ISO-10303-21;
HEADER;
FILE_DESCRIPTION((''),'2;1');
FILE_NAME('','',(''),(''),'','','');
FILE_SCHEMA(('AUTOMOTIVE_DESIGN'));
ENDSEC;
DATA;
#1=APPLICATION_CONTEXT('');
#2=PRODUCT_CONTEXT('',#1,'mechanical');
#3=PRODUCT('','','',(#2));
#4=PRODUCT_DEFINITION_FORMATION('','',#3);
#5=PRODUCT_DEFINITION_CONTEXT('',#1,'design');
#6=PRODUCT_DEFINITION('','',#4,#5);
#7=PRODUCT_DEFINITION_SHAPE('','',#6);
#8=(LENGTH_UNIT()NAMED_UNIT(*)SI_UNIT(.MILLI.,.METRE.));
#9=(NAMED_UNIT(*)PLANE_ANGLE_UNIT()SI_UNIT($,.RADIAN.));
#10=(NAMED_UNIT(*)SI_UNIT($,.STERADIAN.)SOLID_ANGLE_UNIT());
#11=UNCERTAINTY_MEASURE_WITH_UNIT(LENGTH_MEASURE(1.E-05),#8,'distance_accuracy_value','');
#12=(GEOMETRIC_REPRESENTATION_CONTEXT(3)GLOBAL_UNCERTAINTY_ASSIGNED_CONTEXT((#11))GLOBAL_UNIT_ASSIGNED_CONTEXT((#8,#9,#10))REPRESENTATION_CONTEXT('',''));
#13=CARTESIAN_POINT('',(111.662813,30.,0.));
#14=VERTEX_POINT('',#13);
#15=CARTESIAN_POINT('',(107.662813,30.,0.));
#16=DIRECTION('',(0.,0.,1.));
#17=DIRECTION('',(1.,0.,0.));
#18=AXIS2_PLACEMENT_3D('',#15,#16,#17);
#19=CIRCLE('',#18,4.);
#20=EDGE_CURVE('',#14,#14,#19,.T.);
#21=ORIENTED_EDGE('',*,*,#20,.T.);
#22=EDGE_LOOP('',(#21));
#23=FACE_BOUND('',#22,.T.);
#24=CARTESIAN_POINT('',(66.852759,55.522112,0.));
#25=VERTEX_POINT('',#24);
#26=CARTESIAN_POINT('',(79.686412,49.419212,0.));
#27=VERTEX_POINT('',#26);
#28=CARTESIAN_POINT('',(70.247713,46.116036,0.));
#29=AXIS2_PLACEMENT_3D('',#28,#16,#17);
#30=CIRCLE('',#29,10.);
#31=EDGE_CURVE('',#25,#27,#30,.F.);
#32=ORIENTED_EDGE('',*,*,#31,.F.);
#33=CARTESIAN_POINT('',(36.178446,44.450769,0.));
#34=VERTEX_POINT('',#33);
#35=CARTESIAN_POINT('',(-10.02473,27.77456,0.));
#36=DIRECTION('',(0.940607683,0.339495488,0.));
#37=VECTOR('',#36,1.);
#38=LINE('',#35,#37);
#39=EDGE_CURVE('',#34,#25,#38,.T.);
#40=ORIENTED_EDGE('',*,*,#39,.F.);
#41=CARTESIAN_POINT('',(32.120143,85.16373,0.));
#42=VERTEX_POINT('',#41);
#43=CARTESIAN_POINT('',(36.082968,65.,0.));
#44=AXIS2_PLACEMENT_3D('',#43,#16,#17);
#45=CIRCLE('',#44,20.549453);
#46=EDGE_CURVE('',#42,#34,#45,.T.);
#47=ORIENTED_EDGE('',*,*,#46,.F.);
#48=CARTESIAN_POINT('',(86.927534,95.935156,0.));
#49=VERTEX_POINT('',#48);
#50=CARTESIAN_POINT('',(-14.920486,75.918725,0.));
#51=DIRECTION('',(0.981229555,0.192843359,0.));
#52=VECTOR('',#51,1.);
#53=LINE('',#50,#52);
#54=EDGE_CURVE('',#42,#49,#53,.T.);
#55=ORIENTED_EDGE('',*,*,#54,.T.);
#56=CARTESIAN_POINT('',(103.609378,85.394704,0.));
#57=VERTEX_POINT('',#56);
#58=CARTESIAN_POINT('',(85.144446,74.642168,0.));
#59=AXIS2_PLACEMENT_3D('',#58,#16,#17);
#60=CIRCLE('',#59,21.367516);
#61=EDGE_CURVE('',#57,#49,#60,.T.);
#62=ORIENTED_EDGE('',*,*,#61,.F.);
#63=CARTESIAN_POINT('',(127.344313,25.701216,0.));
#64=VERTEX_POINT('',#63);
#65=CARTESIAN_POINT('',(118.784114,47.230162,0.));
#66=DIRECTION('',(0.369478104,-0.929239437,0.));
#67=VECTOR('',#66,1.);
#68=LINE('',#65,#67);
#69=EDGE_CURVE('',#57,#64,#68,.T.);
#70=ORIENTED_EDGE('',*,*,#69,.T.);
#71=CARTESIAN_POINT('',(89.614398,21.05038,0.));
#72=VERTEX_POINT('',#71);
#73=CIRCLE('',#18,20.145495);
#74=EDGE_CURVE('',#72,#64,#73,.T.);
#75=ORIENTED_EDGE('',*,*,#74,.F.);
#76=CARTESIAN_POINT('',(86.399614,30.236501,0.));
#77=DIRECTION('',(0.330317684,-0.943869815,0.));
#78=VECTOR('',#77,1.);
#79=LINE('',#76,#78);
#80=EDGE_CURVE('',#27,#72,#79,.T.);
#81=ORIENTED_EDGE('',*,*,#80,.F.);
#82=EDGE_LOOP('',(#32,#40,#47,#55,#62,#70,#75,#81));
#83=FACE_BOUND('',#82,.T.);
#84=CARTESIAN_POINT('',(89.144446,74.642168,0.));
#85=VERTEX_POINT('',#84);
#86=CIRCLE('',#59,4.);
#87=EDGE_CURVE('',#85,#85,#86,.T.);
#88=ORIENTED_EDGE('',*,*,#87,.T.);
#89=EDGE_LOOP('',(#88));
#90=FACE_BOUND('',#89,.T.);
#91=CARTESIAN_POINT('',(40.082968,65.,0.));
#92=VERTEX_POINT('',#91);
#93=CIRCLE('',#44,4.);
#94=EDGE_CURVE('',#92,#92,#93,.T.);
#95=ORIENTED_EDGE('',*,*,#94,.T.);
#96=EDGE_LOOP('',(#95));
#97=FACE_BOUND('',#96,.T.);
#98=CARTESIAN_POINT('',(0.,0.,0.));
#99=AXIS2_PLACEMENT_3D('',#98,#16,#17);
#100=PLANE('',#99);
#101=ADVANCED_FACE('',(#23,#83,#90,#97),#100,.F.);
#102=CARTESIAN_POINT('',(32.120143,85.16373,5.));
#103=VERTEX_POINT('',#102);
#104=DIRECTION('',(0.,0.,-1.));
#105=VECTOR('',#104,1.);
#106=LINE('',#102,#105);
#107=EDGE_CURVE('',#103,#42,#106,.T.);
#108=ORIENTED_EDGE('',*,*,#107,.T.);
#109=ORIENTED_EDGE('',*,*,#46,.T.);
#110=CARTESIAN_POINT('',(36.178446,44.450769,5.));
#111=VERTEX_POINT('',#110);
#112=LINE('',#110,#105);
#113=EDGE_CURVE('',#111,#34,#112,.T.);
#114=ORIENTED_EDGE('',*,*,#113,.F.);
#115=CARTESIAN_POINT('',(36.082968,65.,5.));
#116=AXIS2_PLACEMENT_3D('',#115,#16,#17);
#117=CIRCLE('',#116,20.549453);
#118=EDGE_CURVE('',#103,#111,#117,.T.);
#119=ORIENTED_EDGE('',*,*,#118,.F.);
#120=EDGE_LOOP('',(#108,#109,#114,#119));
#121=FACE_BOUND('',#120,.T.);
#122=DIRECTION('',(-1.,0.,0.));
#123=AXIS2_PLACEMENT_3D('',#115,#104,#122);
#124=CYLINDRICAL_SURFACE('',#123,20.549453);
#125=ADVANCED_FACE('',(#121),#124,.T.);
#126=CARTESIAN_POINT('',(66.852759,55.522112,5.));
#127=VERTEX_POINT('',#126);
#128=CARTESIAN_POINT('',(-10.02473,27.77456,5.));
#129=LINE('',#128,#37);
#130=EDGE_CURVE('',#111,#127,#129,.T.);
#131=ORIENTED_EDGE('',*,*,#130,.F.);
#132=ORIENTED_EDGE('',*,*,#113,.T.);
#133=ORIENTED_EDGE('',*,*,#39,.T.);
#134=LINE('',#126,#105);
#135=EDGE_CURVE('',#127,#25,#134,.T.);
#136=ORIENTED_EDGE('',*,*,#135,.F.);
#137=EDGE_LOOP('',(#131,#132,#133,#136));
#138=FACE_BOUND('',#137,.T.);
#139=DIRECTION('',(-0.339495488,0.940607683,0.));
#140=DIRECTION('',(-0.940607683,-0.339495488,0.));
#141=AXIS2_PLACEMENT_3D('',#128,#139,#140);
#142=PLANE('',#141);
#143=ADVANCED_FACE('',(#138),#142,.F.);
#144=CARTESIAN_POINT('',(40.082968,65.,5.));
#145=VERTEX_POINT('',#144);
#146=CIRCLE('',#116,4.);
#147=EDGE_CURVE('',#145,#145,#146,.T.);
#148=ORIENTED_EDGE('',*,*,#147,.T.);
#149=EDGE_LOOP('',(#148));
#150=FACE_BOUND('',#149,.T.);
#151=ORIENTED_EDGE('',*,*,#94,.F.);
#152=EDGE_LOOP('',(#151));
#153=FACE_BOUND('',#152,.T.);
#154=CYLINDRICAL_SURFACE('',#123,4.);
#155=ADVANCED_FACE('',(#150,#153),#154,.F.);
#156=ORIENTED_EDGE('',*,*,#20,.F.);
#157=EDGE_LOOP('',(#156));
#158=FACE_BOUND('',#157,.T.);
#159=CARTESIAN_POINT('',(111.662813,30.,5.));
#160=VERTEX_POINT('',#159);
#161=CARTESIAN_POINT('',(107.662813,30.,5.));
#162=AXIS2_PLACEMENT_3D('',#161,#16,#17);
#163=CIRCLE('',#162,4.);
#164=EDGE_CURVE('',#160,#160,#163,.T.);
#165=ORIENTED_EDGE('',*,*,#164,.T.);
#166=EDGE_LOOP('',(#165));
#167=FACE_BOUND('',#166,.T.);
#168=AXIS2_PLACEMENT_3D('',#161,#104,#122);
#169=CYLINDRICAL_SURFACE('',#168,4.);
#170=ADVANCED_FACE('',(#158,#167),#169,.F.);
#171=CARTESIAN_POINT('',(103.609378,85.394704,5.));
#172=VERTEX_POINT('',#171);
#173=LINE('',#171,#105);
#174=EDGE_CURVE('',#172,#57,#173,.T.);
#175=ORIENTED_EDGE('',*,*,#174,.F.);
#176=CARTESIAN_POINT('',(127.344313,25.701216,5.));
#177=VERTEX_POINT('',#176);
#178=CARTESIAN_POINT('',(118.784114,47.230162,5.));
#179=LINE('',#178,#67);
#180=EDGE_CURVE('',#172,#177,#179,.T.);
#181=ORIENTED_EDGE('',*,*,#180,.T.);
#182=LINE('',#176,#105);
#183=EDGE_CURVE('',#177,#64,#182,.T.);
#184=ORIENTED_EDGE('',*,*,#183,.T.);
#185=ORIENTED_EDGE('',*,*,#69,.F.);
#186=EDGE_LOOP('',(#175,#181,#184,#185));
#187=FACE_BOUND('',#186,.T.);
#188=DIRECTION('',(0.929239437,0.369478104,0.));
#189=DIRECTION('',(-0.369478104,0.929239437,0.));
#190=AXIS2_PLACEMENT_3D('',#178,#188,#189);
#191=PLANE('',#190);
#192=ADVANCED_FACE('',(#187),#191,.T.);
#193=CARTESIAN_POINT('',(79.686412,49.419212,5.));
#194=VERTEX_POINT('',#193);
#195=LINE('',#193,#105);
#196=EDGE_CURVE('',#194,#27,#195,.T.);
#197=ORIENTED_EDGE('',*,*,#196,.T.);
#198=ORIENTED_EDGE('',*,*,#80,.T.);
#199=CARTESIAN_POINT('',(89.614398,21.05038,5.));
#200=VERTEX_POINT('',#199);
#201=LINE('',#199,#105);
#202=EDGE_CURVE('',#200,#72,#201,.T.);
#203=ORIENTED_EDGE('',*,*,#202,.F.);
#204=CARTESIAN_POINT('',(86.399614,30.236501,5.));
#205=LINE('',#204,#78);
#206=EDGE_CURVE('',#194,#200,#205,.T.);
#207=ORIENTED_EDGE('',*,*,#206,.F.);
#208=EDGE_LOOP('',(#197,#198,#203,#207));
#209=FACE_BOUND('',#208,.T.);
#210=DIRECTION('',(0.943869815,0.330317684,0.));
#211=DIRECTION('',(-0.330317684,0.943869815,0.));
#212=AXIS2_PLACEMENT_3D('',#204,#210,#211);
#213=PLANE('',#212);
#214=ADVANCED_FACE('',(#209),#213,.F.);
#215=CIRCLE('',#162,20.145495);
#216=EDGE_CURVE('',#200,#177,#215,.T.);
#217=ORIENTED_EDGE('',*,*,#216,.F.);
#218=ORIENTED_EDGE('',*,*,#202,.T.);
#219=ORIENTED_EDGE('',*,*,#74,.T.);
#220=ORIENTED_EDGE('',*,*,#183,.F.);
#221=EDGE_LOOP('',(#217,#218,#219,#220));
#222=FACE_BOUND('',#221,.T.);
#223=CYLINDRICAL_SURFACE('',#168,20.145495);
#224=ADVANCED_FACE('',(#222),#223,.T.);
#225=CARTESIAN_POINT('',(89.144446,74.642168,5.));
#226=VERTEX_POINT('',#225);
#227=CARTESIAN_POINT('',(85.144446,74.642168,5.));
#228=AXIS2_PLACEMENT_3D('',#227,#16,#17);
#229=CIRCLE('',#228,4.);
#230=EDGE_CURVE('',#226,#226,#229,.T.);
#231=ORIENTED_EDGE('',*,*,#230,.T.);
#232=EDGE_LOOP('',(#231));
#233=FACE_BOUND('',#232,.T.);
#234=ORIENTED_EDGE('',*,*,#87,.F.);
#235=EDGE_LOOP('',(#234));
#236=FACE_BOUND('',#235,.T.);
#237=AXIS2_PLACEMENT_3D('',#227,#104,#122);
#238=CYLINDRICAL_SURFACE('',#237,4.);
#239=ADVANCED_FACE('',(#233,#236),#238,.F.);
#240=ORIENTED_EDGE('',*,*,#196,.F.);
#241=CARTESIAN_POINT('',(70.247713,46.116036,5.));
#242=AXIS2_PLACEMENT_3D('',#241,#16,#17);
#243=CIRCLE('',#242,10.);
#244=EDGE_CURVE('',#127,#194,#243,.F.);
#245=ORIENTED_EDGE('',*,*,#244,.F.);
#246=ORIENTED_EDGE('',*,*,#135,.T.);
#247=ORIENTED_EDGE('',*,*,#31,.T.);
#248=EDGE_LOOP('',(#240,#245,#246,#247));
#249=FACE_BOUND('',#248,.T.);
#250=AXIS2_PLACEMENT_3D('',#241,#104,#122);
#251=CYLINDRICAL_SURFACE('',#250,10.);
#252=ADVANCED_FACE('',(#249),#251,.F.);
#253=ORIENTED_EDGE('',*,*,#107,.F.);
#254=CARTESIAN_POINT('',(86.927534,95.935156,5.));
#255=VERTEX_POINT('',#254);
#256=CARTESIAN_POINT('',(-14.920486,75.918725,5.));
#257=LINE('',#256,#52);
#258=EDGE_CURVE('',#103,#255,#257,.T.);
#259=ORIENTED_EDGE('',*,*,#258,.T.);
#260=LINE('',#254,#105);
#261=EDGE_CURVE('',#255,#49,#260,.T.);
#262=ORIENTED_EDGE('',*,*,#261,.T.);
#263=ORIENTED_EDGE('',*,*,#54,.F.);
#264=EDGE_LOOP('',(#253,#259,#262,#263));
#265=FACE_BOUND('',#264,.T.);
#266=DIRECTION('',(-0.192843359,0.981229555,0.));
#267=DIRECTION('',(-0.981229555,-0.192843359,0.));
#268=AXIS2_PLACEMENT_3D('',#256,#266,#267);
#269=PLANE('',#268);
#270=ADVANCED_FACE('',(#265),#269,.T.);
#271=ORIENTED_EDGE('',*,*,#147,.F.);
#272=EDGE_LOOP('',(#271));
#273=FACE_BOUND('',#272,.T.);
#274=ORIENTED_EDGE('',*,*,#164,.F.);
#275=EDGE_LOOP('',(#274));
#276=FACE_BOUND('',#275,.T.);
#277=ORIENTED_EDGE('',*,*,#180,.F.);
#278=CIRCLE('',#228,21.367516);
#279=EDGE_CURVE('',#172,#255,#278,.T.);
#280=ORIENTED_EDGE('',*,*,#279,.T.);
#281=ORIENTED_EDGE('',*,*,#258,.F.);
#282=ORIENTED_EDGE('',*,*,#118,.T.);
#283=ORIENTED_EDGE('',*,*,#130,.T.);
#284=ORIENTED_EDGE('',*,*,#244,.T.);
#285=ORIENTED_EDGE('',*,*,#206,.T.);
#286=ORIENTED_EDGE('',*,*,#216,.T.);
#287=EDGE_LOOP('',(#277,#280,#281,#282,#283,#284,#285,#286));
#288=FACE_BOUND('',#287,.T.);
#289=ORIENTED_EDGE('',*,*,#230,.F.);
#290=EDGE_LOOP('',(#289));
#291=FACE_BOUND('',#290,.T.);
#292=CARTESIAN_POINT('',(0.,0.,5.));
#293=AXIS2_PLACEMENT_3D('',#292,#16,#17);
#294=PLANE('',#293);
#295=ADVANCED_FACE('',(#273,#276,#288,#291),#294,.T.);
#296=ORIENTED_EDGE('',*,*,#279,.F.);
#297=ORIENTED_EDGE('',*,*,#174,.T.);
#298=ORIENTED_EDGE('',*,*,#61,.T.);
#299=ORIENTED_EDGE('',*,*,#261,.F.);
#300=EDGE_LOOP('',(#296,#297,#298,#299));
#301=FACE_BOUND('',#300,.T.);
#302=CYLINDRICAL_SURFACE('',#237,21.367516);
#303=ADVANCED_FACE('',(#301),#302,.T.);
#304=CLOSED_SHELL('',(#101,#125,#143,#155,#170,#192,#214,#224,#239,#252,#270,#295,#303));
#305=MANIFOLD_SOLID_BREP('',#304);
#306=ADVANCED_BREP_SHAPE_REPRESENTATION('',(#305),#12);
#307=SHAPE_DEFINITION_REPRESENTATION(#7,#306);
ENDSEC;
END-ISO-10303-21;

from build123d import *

# Parameters (mm, degrees)
EXTRUDE_1_DEPTH = 5


with BuildPart() as part:
    # 草图1 → 凸台-拉伸1 (new body)
    with BuildSketch(Plane.XY):
        with BuildLine():
            ThreePointArc((39.676398778, 63.242940301), (32.116908157, 65.519966744), (40.007886711, 65.771373436))
            Line((40.007886711, 65.771373436), (81.219528006, 73.870794511))
            ThreePointArc((81.219528006, 73.870794511), (84.756936789, 78.623353252), (89.144446225, 74.642167947))
            ThreePointArc((89.144446225, 74.642167947), (88.550754884, 72.545250848), (86.945915565, 71.070794511))
            Line((86.945915565, 71.070794511), (105.861343633, 33.571373436))
            ThreePointArc((105.861343633, 33.571373436), (109.759730072, 33.406308659), (111.662812973, 30))
            ThreePointArc((111.662812973, 30), (106.761070533, 26.102967723), (104.069382688, 31.757059699))
            Line((104.069382688, 31.757059699), (82.109783132, 42.494523437))
            Line((82.109783132, 42.494523437), (89.614398352, 21.050380059))
            ThreePointArc((89.614398352, 21.050380059), (110.127424639, 10.005834432), (127.344312529, 25.70121614))
            Line((127.344312529, 25.70121614), (103.609378398, 85.394704235))
            ThreePointArc((103.609378398, 85.394704235), (96.558072376, 92.705940943), (86.927534136, 95.93515633))
            Line((86.927534136, 95.93515633), (32.120142981, 85.163730465))
            ThreePointArc((32.120142981, 85.163730465), (15.634853586, 62.961714189), (36.178446258, 44.450768961))
            Line((36.178446258, 44.450768961), (60.302024626, 53.157742297))
            Line((60.302024626, 53.157742297), (39.676398778, 63.242940301))
        make_face()
        with BuildLine():
            Line((81.219528006, 73.870794511), (40.007886711, 65.771373436))
            ThreePointArc((40.007886711, 65.771373436), (40.064153798, 65.387509436), (40.082968492, 65))
            ThreePointArc((40.082968492, 65), (39.98000077, 64.098257559), (39.676398778, 63.242940301))
            Line((39.676398778, 63.242940301), (60.302024626, 53.157742297))
            Line((60.302024626, 53.157742297), (66.852758603, 55.522112342))
            ThreePointArc((66.852758603, 55.522112342), (74.542251323, 55.146923882), (79.686411635, 49.419212353))
            Line((79.686411635, 49.419212353), (82.109783132, 42.494523437))
            Line((82.109783132, 42.494523437), (104.069382688, 31.757059699))
            ThreePointArc((104.069382688, 31.757059699), (104.816909062, 32.810841675), (105.861343633, 33.571373436))
            Line((105.861343633, 33.571373436), (86.945915565, 71.070794511))
            ThreePointArc((86.945915565, 71.070794511), (83.387386526, 71.048737661), (81.219528006, 73.870794511))
        make_face()
    extrude(amount=EXTRUDE_1_DEPTH)


solid = part.part
